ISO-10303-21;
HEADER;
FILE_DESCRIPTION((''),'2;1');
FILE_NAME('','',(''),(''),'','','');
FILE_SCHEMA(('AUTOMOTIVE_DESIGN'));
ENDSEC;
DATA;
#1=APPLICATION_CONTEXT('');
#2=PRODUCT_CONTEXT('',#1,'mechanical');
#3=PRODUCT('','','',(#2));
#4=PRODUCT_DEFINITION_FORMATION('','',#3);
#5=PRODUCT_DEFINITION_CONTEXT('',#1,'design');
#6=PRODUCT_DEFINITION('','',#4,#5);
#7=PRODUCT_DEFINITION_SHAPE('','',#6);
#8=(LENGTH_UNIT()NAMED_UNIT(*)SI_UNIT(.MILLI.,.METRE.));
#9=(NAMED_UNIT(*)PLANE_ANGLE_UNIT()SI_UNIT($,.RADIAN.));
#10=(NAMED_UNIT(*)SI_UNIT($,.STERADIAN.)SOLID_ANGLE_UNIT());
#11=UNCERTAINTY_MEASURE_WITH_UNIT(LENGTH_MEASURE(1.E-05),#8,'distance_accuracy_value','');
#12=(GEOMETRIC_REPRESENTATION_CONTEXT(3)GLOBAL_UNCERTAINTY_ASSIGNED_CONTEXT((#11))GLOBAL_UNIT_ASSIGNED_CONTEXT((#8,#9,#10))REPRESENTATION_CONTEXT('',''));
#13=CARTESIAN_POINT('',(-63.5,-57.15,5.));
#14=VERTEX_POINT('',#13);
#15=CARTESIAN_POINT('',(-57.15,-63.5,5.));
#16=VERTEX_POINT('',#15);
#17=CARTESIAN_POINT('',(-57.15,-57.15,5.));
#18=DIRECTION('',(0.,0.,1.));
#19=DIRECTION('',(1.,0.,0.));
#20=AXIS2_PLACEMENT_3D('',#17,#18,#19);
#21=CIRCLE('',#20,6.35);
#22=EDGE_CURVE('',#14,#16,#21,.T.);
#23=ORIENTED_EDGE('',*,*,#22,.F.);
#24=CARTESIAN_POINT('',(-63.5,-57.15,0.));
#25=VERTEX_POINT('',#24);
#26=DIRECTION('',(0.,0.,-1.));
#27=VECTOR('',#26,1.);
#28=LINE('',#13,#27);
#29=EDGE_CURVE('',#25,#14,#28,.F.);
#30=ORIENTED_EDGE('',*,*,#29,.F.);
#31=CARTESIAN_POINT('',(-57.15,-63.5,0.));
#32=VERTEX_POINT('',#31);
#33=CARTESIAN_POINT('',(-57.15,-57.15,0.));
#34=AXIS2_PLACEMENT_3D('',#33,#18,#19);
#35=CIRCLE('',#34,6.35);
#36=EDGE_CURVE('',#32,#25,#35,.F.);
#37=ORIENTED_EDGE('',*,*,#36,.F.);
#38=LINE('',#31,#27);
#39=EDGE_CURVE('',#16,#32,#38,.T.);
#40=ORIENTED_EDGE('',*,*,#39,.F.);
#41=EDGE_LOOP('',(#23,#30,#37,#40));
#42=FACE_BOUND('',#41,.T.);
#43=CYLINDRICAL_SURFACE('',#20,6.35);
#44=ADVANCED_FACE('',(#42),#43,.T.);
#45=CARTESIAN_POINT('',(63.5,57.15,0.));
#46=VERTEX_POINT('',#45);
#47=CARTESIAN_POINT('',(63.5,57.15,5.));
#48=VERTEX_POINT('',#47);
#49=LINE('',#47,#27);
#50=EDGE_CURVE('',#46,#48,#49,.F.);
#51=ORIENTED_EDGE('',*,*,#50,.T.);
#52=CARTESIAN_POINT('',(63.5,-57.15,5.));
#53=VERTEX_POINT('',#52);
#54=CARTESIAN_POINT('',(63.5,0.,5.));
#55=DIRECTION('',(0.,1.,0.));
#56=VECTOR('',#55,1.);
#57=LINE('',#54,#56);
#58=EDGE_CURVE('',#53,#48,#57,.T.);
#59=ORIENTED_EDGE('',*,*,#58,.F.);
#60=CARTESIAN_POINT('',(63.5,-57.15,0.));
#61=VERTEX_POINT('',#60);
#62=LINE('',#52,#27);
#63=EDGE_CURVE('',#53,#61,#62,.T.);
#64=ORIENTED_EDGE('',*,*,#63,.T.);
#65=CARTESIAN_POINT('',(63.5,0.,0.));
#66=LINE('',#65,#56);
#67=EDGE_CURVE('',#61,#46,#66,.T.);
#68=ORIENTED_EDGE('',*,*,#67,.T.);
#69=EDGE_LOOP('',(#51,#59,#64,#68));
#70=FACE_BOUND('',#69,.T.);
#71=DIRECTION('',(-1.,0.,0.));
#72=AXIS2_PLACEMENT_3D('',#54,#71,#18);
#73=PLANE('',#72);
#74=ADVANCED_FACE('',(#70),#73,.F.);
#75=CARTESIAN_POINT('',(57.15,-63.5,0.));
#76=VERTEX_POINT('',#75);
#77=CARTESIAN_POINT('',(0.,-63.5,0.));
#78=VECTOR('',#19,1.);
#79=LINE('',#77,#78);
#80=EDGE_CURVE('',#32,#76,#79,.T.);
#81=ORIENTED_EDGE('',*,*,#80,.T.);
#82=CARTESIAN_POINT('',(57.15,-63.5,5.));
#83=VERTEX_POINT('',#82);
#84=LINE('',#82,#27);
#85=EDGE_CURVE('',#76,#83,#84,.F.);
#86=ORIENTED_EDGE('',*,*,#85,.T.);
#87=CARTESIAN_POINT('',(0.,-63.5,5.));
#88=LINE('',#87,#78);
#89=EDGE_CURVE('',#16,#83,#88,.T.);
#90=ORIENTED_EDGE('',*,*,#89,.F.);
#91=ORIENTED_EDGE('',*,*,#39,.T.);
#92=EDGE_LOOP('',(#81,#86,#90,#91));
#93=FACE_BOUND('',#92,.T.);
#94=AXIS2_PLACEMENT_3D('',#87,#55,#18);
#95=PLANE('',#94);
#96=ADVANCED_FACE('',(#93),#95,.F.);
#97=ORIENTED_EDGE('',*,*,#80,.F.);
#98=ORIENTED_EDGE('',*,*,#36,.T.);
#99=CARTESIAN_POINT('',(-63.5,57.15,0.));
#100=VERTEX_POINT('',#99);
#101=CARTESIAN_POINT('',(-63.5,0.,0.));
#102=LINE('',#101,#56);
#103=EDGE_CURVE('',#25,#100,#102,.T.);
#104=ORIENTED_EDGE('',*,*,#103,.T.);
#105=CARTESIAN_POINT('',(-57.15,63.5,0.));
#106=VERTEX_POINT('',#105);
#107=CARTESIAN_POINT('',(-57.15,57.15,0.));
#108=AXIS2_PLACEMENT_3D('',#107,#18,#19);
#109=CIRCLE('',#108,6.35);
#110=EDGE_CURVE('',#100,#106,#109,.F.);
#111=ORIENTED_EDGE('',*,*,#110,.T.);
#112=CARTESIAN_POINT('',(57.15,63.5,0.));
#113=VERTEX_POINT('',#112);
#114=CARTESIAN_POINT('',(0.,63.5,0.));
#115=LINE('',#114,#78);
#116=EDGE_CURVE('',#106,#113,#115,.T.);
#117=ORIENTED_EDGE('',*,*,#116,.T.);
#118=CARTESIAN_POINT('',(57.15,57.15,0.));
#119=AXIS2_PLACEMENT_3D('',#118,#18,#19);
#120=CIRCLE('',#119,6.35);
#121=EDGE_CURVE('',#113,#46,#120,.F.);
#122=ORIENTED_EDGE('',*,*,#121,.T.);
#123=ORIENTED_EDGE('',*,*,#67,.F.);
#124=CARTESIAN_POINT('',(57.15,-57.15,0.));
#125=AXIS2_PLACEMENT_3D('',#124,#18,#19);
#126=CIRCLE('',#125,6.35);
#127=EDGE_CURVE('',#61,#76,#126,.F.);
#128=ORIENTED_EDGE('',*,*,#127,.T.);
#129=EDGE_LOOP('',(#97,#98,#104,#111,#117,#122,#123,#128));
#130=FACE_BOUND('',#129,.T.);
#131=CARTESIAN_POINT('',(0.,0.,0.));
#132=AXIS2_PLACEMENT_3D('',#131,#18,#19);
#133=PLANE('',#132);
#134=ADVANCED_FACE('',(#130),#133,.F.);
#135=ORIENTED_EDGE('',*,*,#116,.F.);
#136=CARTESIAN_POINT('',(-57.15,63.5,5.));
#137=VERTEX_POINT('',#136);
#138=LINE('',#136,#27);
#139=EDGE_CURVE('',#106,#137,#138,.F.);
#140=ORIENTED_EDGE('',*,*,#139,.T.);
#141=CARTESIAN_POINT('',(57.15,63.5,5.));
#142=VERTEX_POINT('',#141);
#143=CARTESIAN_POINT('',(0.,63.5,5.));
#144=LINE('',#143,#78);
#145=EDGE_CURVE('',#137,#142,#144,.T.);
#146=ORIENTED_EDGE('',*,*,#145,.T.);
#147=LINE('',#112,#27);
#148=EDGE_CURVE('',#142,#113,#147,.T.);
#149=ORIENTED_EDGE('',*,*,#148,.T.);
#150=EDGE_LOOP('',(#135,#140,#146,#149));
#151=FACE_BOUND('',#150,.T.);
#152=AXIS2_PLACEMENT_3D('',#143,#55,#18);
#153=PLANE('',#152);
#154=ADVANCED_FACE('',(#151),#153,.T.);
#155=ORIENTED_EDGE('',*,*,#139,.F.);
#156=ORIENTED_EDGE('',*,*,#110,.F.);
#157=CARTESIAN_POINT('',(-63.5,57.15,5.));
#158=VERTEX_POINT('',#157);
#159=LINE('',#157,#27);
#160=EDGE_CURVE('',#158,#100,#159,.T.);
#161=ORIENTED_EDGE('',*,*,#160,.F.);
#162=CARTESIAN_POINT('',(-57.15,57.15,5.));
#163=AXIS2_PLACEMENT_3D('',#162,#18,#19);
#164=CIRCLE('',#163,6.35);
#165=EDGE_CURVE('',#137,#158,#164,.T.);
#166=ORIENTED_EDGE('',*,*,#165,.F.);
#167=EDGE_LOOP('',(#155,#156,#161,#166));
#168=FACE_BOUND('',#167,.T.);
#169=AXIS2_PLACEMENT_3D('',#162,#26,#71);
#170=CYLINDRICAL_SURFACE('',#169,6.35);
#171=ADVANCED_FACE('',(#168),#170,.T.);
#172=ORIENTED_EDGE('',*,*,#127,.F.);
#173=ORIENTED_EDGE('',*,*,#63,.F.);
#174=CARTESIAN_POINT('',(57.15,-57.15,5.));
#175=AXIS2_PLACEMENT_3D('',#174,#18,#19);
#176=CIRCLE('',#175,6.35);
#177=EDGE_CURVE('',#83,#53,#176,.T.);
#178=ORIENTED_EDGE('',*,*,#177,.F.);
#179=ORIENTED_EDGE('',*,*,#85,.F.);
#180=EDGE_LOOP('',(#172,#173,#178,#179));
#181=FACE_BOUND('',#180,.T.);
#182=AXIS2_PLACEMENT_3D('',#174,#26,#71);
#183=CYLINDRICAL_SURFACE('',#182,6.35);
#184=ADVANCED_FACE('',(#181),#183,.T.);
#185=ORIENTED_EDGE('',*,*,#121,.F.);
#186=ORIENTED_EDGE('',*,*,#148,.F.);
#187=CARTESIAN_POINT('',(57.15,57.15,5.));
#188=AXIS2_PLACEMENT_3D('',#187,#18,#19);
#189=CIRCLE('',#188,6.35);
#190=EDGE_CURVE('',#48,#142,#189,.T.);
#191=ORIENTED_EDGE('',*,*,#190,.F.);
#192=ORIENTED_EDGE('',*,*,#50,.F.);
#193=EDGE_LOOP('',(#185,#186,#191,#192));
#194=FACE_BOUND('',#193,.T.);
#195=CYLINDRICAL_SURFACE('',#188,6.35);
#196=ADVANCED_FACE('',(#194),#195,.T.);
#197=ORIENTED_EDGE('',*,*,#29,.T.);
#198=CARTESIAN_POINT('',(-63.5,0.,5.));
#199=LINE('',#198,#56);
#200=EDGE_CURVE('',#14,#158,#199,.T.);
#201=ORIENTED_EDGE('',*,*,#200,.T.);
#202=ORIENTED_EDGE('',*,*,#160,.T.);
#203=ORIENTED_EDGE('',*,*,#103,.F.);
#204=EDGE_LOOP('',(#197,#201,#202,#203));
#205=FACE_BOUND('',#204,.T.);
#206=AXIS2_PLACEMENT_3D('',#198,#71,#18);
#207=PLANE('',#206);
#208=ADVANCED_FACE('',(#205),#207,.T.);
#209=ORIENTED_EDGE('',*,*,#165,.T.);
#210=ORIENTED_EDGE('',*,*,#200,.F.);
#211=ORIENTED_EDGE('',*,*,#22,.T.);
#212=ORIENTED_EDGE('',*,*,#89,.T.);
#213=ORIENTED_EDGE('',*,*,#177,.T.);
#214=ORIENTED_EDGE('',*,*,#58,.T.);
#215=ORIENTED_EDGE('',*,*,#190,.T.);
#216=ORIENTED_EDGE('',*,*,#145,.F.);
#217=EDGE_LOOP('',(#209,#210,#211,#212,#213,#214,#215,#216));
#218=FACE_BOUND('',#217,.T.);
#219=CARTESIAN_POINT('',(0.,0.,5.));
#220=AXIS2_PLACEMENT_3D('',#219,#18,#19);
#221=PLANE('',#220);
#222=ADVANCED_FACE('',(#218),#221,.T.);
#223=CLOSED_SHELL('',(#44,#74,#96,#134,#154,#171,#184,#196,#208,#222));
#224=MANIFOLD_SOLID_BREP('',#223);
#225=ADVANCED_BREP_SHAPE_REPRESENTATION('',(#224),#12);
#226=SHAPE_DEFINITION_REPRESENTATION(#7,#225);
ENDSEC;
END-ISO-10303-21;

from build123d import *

# Parameters (mm, degrees)
SKETCH1_W           = 127
SKETCH1_H           = 127
SKETCH1_W_2         = 121
SKETCH1_H_2         = 121
SKETCH1_R           = 38.5
BOSS_EXTRUDE1_DEPTH = 5
FILLET1_R           = 6.35


with BuildPart() as part:
    # Sketch1 → Boss-Extrude1 (new body)
    with BuildSketch(Plane.XY):
        Rectangle(SKETCH1_W, SKETCH1_H)
        Rectangle(SKETCH1_W_2, SKETCH1_H_2, mode=Mode.SUBTRACT)
        Rectangle(SKETCH1_W_2, SKETCH1_H_2)
        Circle(SKETCH1_R, mode=Mode.SUBTRACT)
        Circle(SKETCH1_R)
    extrude(amount=BOSS_EXTRUDE1_DEPTH)

    # Fillet1
    fillet1_edges = [part.edges().sort_by_distance(p)[0] for p in [
        (-63.5, 63.5, 2.5),
        (63.5, 63.5, 2.5),
        (63.5, -63.5, 2.5),
        (-63.5, -63.5, 2.5),
    ]]
    fillet(fillet1_edges, radius=FILLET1_R)


solid = part.part
